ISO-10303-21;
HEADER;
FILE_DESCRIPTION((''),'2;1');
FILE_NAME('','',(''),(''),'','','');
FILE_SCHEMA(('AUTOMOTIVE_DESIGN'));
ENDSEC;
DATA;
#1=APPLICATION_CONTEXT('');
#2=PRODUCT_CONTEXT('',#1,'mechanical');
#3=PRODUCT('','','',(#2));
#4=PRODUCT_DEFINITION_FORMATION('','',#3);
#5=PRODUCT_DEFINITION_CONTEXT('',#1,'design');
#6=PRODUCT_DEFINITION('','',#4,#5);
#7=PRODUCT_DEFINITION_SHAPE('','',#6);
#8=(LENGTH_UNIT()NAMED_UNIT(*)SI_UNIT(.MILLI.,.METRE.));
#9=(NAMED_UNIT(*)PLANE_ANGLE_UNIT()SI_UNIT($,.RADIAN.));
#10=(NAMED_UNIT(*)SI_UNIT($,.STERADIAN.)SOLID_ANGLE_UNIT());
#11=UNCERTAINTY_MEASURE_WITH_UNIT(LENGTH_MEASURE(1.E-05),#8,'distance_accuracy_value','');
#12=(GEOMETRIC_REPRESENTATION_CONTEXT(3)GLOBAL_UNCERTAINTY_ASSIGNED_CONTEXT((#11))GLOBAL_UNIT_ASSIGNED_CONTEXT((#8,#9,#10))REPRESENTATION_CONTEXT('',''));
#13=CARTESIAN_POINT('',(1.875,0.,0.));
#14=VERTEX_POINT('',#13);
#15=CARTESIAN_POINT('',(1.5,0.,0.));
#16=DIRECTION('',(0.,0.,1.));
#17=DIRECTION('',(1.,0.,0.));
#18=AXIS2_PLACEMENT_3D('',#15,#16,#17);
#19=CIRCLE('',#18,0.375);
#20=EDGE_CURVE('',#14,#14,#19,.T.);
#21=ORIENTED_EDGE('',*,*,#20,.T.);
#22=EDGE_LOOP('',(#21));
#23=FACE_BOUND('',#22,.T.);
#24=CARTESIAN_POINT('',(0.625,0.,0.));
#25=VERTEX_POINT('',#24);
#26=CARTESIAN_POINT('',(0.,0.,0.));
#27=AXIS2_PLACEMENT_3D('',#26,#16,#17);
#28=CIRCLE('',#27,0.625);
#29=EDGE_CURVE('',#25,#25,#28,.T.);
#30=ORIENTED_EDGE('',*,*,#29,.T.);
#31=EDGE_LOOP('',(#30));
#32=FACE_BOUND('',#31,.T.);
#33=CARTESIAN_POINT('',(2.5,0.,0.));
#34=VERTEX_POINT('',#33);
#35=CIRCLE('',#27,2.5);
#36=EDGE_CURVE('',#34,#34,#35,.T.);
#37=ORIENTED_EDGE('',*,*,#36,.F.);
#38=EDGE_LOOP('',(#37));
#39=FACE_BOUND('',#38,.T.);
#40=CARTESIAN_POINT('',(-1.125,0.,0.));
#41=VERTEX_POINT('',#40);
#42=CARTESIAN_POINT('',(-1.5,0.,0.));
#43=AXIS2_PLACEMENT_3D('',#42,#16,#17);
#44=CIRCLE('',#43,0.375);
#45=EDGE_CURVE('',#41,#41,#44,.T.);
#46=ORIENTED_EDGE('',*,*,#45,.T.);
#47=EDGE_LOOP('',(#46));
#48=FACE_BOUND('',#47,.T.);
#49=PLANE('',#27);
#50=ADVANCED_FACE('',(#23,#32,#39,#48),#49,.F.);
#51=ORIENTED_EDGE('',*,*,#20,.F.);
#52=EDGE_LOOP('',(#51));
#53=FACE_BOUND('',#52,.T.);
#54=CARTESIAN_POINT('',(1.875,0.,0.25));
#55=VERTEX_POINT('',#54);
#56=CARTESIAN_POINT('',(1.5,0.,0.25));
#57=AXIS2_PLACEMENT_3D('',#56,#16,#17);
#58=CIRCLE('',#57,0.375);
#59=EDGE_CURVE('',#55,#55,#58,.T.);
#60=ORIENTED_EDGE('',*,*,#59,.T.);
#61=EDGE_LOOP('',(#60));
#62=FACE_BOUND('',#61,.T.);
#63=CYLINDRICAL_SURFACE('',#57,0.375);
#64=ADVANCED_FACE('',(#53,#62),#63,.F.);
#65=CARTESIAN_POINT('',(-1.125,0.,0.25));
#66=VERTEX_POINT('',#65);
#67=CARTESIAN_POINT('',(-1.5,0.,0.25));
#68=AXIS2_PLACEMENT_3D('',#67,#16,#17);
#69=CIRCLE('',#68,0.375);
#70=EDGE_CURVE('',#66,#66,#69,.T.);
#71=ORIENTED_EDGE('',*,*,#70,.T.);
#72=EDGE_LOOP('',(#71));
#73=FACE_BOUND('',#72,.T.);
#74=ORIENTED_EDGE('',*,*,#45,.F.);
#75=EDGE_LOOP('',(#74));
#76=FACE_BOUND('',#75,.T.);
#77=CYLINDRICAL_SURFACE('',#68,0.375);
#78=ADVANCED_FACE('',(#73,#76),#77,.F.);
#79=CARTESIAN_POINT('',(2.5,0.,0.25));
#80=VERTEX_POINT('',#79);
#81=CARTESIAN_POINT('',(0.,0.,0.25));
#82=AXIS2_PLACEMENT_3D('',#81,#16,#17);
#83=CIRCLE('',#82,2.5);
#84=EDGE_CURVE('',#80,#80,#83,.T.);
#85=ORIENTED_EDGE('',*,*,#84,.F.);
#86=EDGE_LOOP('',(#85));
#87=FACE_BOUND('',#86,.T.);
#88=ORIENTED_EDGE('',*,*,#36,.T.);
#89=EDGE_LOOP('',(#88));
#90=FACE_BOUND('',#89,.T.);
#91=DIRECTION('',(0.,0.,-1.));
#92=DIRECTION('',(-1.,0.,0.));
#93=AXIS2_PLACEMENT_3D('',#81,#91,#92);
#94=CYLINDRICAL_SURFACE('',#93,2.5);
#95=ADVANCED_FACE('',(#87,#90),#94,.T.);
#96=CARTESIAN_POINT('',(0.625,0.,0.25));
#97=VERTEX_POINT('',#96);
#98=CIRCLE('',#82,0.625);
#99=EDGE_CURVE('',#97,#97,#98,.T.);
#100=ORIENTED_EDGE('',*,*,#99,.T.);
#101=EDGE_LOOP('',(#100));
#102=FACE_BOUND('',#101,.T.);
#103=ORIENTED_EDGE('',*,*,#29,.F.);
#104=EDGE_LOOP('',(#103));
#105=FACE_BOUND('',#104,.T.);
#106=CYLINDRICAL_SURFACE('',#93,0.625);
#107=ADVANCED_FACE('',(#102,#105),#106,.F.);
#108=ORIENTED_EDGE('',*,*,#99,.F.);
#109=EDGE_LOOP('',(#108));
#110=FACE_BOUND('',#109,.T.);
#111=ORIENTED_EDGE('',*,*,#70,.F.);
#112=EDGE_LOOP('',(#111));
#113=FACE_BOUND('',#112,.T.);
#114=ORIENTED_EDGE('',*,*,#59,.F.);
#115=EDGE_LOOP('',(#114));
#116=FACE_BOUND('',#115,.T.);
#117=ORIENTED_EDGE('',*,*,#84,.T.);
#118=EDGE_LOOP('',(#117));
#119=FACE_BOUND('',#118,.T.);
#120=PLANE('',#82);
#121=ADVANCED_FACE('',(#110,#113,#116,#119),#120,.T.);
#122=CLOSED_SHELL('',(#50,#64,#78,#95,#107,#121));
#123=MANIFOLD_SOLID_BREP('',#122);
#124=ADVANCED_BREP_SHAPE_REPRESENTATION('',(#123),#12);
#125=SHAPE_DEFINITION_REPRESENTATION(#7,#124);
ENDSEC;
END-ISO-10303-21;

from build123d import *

# Parameters (mm, degrees)
CROQUIS1_R                 = 2.5
CROQUIS1_R_2               = 0.625
SALIENTE_EXTRUIR1_DEPTH    = 0.25
TALADRO_ROSCADO_M1X0_251_D = 0.75


with BuildPart() as part:
    # Croquis1 → Saliente-Extruir1 (new body)
    with BuildSketch(Plane.XY):
        Circle(CROQUIS1_R)
        Circle(CROQUIS1_R_2, mode=Mode.SUBTRACT)
    extrude(amount=SALIENTE_EXTRUIR1_DEPTH)

    # Taladro roscado M1x0.251 (through all)
    with Locations(Plane.XY.offset(0.25)):
        with Locations((-1.5, 0), (1.5, 0)):
            Hole(TALADRO_ROSCADO_M1X0_251_D / 2)


solid = part.part
